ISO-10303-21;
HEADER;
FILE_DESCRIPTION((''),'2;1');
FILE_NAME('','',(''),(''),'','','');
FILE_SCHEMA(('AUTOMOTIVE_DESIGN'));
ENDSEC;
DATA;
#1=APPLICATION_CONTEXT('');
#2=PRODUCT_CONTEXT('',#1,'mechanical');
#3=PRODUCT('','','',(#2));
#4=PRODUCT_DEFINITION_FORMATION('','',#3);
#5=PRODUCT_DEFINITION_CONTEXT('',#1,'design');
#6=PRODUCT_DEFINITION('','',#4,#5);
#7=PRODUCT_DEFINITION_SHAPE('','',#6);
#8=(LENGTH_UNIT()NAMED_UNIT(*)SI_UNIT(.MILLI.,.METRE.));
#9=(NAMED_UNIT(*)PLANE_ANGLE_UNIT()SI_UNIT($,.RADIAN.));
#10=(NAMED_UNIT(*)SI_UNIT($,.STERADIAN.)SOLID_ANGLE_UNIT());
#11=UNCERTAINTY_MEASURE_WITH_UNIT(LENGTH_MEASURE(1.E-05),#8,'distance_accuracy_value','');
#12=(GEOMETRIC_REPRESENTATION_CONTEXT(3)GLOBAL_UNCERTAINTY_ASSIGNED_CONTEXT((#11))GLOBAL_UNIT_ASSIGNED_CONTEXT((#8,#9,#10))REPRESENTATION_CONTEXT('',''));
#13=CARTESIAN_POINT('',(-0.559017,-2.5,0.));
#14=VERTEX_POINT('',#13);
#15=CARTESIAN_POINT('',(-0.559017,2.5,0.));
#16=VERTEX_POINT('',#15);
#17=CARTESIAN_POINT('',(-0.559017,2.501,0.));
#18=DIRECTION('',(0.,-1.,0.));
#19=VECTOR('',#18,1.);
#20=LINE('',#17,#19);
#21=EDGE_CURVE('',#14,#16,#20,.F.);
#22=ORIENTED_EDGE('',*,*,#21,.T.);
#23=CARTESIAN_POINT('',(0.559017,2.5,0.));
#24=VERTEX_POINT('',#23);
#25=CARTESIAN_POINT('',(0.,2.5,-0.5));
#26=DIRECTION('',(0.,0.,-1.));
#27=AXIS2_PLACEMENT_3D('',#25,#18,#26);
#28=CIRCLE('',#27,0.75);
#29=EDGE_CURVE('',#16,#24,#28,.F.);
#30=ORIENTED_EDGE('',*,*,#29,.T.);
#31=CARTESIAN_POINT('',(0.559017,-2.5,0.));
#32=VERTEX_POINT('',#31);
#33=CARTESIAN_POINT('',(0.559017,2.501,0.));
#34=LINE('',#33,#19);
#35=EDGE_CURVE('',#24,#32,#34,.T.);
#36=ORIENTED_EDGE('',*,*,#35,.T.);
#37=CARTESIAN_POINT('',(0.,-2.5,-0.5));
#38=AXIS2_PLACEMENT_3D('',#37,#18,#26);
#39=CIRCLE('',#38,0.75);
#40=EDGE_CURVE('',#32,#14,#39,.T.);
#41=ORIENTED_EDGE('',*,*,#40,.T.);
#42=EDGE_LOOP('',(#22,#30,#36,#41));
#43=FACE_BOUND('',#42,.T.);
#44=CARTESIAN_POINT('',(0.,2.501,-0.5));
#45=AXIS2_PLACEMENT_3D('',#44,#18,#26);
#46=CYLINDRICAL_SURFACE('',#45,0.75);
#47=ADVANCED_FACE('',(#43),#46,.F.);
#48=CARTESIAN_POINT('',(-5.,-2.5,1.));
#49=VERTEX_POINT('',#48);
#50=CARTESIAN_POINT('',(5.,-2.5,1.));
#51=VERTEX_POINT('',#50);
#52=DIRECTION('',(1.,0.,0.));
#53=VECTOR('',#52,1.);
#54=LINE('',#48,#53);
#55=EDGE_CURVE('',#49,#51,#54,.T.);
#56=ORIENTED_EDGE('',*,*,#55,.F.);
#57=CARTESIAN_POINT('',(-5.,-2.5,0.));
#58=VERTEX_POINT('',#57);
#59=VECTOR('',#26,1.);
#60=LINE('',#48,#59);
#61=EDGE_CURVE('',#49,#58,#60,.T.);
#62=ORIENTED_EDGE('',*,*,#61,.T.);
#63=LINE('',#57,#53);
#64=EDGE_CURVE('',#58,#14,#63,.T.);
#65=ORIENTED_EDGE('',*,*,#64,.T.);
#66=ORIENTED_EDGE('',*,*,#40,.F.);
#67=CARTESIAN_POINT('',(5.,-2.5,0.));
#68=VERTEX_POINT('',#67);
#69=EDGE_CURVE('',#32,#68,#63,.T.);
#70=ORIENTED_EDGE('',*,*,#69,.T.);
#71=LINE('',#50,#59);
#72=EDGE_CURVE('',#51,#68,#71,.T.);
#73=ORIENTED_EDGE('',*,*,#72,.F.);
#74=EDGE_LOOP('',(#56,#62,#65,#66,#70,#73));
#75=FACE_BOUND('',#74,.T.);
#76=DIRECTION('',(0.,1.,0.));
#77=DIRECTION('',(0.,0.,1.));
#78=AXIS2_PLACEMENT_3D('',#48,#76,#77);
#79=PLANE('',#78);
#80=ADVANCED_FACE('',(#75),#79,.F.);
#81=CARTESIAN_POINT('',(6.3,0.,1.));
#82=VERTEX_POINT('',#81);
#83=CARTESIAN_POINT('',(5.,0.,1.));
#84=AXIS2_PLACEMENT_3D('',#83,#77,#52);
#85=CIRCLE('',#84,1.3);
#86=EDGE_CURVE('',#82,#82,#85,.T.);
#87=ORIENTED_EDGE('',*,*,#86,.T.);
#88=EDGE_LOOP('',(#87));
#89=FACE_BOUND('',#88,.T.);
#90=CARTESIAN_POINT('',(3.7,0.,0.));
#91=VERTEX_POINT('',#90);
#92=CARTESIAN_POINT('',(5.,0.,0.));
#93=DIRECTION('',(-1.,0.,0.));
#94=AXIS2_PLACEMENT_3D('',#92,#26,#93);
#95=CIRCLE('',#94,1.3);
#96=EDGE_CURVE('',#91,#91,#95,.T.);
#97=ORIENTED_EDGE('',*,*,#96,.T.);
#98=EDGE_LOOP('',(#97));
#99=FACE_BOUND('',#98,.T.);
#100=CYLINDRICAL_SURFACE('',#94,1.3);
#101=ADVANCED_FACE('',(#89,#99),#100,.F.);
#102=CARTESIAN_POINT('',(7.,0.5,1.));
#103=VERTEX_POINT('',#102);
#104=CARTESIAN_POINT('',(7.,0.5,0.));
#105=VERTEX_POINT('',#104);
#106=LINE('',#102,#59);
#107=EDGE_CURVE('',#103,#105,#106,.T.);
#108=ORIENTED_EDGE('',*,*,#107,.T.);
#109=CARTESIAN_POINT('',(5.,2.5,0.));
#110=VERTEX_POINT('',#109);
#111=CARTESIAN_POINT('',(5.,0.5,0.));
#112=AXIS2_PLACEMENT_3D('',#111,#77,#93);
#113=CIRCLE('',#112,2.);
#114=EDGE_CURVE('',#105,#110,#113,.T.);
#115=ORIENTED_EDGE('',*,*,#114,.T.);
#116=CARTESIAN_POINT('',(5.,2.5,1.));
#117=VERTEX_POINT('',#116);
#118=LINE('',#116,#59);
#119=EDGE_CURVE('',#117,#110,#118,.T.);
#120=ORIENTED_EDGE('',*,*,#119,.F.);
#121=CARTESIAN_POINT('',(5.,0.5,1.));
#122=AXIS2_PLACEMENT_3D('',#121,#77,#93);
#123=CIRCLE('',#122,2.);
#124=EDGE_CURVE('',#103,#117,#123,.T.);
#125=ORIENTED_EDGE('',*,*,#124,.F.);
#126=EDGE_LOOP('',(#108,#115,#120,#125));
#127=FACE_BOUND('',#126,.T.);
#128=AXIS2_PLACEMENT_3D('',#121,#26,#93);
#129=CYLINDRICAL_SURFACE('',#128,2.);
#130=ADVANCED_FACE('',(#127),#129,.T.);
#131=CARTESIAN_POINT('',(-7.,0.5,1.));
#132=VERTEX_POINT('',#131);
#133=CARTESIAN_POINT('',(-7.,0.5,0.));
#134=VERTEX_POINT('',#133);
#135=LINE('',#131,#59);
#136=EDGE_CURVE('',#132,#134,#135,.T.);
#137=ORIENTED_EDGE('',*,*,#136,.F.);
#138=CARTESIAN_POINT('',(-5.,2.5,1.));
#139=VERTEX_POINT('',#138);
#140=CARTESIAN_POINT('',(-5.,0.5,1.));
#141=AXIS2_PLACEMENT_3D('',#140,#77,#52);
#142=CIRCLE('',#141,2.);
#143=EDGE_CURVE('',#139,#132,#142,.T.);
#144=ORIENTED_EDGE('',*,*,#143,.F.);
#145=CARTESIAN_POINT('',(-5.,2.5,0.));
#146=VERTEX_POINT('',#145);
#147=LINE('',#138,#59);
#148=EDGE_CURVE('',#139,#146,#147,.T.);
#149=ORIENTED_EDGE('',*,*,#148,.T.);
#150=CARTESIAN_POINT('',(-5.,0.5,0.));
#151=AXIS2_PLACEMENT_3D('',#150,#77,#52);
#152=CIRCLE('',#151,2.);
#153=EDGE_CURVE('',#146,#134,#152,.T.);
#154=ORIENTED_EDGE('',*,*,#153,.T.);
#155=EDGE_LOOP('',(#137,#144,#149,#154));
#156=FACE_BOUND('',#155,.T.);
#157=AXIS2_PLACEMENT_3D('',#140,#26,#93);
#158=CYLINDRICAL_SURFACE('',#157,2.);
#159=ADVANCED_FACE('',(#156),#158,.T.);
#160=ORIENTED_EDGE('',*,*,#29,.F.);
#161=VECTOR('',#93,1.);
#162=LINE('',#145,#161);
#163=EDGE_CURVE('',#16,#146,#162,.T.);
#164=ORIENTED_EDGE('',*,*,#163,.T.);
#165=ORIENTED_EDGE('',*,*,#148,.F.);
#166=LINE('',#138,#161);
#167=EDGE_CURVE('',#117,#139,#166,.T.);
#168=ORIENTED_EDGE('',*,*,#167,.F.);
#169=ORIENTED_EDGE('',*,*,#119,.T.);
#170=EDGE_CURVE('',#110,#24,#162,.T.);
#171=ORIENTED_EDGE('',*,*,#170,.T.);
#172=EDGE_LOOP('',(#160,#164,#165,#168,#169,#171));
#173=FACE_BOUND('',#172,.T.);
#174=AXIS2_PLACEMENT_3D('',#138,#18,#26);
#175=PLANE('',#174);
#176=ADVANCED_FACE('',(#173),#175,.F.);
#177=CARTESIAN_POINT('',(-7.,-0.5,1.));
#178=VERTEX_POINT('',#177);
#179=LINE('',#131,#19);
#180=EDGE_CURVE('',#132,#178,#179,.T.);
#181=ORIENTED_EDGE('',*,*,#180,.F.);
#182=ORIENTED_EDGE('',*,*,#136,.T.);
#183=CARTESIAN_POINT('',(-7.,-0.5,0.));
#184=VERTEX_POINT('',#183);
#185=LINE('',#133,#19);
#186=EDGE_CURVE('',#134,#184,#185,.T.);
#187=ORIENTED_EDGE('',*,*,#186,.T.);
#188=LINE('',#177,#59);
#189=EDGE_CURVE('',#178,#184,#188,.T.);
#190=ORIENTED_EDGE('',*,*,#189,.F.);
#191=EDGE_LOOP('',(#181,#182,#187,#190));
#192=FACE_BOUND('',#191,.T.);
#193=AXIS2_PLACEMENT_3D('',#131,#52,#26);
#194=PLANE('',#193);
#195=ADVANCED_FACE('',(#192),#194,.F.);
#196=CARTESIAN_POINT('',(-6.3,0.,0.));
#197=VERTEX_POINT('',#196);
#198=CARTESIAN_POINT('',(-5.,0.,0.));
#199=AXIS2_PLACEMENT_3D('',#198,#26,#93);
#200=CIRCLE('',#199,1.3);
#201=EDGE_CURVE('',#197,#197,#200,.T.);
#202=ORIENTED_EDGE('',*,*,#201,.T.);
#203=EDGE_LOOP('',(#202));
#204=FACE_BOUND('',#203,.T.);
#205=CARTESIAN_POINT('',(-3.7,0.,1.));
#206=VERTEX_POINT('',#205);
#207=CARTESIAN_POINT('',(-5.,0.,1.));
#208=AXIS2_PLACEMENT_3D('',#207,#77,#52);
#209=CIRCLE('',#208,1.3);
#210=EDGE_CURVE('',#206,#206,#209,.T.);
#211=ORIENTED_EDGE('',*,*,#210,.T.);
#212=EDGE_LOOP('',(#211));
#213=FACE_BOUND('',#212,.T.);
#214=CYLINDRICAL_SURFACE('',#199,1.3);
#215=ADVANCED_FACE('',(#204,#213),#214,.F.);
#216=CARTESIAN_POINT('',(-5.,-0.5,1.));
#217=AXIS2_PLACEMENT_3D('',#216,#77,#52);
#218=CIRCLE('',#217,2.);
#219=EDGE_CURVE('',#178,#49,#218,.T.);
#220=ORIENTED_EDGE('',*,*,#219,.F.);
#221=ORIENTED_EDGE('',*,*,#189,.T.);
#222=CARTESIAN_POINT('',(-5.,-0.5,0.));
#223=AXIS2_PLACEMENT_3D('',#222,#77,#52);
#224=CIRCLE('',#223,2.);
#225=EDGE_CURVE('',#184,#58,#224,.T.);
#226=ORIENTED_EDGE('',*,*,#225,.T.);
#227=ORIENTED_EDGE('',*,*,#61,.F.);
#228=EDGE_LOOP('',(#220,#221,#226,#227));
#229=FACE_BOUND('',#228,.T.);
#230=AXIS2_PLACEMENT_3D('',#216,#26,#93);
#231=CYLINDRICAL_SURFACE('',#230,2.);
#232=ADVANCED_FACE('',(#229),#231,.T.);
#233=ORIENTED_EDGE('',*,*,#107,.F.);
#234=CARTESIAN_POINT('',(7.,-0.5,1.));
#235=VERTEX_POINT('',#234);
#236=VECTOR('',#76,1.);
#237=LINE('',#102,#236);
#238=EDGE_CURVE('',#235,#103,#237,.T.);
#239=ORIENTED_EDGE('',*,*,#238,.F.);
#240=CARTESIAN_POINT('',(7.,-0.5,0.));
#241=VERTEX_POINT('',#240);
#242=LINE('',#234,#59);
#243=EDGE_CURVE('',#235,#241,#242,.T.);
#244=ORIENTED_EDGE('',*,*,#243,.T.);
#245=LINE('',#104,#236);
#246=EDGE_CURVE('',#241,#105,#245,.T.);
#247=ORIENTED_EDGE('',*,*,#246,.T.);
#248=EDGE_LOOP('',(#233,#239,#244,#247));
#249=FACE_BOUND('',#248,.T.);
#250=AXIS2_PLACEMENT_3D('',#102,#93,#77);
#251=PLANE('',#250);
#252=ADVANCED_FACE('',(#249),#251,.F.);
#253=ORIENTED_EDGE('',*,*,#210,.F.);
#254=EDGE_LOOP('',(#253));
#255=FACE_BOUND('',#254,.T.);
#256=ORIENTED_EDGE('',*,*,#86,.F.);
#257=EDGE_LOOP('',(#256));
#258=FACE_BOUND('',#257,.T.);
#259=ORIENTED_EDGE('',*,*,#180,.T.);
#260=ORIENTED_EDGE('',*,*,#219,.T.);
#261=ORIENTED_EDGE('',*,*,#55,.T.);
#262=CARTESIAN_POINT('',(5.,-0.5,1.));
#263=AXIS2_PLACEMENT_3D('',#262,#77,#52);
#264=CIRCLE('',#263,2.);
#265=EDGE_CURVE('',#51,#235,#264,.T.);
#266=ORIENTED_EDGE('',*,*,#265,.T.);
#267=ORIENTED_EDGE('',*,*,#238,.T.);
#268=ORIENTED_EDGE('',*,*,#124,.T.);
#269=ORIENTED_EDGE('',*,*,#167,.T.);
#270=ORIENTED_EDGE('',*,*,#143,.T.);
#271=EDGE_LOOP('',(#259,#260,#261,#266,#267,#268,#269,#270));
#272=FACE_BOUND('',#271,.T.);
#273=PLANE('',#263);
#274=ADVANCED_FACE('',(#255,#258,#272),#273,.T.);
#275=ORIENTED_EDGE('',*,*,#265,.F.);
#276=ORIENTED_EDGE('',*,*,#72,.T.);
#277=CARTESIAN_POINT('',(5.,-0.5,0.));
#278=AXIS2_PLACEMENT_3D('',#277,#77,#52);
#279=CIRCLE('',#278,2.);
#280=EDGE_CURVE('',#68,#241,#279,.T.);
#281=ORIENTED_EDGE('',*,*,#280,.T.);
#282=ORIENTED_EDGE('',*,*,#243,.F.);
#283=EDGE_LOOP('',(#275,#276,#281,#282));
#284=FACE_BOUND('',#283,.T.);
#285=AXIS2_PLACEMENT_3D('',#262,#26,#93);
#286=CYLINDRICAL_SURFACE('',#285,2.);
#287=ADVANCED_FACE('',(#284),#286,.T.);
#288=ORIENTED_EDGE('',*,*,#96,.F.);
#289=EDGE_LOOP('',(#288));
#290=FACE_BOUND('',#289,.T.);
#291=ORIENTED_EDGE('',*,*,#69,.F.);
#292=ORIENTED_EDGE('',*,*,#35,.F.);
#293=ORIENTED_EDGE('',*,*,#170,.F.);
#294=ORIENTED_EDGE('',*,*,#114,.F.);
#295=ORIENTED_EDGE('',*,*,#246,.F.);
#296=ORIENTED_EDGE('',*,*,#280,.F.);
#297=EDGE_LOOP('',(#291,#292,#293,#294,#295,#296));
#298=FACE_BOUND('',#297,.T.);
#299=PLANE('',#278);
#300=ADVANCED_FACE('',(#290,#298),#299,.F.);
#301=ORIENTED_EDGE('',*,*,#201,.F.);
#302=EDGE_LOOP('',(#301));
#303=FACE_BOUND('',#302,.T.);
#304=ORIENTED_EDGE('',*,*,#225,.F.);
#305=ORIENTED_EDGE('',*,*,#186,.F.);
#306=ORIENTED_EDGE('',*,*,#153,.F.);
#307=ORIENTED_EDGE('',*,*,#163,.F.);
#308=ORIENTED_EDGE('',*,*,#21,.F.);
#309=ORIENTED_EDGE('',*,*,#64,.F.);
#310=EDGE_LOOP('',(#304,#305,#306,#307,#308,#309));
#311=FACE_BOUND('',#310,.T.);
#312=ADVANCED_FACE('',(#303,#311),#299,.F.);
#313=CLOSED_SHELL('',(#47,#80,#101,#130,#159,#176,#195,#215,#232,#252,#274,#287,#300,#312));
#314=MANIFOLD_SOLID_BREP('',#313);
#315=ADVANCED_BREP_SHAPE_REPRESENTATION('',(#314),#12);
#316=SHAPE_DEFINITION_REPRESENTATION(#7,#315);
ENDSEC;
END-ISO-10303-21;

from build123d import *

# Parameters (mm, degrees)
BOSS_EXTRUDE1_DEPTH      = 1
M2_CLEARANCE_HOLE1_D     = 2.6
M2_CLEARANCE_HOLE1_DEPTH = 1
CUT_EXTRUDE1_REACH       = 7
SKETCH15_R               = 0.75


with BuildPart() as part:
    # Sketch2 → Boss-Extrude1 (new body)
    with BuildSketch(Plane.XY):
        with BuildLine():
            Line((-5, 2.5), (5, 2.5))
            ThreePointArc((5, 2.5), (6.414213562, 1.914213562), (7, 0.5))
            Line((7, 0.5), (7, -0.5))
            ThreePointArc((7, -0.5), (6.414213562, -1.914213562), (5, -2.5))
            Line((5, -2.5), (-5, -2.5))
            ThreePointArc((-5, -2.5), (-6.414213562, -1.914213562), (-7, -0.5))
            Line((-7, -0.5), (-7, 0.5))
            ThreePointArc((-7, 0.5), (-6.414213562, 1.914213562), (-5, 2.5))
        make_face()
    extrude(amount=BOSS_EXTRUDE1_DEPTH)

    # M2 Clearance Hole1
    with Locations(Plane(origin=(0, 0, 0), x_dir=(-1, 0, 0), z_dir=(0, 0, -1))):
        with Locations((-5, 0), (5, 0)):
            Hole(M2_CLEARANCE_HOLE1_D / 2, depth=M2_CLEARANCE_HOLE1_DEPTH)

    # Sketch15 → Cut-Extrude1 (cut, up to next)
    with BuildSketch(Plane.XZ.offset(2.5), mode=Mode.PRIVATE) as cut_extrude1_sk1:
        with Locations((0, -0.5)):
            Circle(SKETCH15_R)
    cut_extrude1_tool1 = extrude(cut_extrude1_sk1.sketch, amount=-CUT_EXTRUDE1_REACH, mode=Mode.PRIVATE) & part.part
    add(cut_extrude1_tool1.solids().sort_by_distance((0, -2.5, -0.5))[0], mode=Mode.SUBTRACT)


solid = part.part
